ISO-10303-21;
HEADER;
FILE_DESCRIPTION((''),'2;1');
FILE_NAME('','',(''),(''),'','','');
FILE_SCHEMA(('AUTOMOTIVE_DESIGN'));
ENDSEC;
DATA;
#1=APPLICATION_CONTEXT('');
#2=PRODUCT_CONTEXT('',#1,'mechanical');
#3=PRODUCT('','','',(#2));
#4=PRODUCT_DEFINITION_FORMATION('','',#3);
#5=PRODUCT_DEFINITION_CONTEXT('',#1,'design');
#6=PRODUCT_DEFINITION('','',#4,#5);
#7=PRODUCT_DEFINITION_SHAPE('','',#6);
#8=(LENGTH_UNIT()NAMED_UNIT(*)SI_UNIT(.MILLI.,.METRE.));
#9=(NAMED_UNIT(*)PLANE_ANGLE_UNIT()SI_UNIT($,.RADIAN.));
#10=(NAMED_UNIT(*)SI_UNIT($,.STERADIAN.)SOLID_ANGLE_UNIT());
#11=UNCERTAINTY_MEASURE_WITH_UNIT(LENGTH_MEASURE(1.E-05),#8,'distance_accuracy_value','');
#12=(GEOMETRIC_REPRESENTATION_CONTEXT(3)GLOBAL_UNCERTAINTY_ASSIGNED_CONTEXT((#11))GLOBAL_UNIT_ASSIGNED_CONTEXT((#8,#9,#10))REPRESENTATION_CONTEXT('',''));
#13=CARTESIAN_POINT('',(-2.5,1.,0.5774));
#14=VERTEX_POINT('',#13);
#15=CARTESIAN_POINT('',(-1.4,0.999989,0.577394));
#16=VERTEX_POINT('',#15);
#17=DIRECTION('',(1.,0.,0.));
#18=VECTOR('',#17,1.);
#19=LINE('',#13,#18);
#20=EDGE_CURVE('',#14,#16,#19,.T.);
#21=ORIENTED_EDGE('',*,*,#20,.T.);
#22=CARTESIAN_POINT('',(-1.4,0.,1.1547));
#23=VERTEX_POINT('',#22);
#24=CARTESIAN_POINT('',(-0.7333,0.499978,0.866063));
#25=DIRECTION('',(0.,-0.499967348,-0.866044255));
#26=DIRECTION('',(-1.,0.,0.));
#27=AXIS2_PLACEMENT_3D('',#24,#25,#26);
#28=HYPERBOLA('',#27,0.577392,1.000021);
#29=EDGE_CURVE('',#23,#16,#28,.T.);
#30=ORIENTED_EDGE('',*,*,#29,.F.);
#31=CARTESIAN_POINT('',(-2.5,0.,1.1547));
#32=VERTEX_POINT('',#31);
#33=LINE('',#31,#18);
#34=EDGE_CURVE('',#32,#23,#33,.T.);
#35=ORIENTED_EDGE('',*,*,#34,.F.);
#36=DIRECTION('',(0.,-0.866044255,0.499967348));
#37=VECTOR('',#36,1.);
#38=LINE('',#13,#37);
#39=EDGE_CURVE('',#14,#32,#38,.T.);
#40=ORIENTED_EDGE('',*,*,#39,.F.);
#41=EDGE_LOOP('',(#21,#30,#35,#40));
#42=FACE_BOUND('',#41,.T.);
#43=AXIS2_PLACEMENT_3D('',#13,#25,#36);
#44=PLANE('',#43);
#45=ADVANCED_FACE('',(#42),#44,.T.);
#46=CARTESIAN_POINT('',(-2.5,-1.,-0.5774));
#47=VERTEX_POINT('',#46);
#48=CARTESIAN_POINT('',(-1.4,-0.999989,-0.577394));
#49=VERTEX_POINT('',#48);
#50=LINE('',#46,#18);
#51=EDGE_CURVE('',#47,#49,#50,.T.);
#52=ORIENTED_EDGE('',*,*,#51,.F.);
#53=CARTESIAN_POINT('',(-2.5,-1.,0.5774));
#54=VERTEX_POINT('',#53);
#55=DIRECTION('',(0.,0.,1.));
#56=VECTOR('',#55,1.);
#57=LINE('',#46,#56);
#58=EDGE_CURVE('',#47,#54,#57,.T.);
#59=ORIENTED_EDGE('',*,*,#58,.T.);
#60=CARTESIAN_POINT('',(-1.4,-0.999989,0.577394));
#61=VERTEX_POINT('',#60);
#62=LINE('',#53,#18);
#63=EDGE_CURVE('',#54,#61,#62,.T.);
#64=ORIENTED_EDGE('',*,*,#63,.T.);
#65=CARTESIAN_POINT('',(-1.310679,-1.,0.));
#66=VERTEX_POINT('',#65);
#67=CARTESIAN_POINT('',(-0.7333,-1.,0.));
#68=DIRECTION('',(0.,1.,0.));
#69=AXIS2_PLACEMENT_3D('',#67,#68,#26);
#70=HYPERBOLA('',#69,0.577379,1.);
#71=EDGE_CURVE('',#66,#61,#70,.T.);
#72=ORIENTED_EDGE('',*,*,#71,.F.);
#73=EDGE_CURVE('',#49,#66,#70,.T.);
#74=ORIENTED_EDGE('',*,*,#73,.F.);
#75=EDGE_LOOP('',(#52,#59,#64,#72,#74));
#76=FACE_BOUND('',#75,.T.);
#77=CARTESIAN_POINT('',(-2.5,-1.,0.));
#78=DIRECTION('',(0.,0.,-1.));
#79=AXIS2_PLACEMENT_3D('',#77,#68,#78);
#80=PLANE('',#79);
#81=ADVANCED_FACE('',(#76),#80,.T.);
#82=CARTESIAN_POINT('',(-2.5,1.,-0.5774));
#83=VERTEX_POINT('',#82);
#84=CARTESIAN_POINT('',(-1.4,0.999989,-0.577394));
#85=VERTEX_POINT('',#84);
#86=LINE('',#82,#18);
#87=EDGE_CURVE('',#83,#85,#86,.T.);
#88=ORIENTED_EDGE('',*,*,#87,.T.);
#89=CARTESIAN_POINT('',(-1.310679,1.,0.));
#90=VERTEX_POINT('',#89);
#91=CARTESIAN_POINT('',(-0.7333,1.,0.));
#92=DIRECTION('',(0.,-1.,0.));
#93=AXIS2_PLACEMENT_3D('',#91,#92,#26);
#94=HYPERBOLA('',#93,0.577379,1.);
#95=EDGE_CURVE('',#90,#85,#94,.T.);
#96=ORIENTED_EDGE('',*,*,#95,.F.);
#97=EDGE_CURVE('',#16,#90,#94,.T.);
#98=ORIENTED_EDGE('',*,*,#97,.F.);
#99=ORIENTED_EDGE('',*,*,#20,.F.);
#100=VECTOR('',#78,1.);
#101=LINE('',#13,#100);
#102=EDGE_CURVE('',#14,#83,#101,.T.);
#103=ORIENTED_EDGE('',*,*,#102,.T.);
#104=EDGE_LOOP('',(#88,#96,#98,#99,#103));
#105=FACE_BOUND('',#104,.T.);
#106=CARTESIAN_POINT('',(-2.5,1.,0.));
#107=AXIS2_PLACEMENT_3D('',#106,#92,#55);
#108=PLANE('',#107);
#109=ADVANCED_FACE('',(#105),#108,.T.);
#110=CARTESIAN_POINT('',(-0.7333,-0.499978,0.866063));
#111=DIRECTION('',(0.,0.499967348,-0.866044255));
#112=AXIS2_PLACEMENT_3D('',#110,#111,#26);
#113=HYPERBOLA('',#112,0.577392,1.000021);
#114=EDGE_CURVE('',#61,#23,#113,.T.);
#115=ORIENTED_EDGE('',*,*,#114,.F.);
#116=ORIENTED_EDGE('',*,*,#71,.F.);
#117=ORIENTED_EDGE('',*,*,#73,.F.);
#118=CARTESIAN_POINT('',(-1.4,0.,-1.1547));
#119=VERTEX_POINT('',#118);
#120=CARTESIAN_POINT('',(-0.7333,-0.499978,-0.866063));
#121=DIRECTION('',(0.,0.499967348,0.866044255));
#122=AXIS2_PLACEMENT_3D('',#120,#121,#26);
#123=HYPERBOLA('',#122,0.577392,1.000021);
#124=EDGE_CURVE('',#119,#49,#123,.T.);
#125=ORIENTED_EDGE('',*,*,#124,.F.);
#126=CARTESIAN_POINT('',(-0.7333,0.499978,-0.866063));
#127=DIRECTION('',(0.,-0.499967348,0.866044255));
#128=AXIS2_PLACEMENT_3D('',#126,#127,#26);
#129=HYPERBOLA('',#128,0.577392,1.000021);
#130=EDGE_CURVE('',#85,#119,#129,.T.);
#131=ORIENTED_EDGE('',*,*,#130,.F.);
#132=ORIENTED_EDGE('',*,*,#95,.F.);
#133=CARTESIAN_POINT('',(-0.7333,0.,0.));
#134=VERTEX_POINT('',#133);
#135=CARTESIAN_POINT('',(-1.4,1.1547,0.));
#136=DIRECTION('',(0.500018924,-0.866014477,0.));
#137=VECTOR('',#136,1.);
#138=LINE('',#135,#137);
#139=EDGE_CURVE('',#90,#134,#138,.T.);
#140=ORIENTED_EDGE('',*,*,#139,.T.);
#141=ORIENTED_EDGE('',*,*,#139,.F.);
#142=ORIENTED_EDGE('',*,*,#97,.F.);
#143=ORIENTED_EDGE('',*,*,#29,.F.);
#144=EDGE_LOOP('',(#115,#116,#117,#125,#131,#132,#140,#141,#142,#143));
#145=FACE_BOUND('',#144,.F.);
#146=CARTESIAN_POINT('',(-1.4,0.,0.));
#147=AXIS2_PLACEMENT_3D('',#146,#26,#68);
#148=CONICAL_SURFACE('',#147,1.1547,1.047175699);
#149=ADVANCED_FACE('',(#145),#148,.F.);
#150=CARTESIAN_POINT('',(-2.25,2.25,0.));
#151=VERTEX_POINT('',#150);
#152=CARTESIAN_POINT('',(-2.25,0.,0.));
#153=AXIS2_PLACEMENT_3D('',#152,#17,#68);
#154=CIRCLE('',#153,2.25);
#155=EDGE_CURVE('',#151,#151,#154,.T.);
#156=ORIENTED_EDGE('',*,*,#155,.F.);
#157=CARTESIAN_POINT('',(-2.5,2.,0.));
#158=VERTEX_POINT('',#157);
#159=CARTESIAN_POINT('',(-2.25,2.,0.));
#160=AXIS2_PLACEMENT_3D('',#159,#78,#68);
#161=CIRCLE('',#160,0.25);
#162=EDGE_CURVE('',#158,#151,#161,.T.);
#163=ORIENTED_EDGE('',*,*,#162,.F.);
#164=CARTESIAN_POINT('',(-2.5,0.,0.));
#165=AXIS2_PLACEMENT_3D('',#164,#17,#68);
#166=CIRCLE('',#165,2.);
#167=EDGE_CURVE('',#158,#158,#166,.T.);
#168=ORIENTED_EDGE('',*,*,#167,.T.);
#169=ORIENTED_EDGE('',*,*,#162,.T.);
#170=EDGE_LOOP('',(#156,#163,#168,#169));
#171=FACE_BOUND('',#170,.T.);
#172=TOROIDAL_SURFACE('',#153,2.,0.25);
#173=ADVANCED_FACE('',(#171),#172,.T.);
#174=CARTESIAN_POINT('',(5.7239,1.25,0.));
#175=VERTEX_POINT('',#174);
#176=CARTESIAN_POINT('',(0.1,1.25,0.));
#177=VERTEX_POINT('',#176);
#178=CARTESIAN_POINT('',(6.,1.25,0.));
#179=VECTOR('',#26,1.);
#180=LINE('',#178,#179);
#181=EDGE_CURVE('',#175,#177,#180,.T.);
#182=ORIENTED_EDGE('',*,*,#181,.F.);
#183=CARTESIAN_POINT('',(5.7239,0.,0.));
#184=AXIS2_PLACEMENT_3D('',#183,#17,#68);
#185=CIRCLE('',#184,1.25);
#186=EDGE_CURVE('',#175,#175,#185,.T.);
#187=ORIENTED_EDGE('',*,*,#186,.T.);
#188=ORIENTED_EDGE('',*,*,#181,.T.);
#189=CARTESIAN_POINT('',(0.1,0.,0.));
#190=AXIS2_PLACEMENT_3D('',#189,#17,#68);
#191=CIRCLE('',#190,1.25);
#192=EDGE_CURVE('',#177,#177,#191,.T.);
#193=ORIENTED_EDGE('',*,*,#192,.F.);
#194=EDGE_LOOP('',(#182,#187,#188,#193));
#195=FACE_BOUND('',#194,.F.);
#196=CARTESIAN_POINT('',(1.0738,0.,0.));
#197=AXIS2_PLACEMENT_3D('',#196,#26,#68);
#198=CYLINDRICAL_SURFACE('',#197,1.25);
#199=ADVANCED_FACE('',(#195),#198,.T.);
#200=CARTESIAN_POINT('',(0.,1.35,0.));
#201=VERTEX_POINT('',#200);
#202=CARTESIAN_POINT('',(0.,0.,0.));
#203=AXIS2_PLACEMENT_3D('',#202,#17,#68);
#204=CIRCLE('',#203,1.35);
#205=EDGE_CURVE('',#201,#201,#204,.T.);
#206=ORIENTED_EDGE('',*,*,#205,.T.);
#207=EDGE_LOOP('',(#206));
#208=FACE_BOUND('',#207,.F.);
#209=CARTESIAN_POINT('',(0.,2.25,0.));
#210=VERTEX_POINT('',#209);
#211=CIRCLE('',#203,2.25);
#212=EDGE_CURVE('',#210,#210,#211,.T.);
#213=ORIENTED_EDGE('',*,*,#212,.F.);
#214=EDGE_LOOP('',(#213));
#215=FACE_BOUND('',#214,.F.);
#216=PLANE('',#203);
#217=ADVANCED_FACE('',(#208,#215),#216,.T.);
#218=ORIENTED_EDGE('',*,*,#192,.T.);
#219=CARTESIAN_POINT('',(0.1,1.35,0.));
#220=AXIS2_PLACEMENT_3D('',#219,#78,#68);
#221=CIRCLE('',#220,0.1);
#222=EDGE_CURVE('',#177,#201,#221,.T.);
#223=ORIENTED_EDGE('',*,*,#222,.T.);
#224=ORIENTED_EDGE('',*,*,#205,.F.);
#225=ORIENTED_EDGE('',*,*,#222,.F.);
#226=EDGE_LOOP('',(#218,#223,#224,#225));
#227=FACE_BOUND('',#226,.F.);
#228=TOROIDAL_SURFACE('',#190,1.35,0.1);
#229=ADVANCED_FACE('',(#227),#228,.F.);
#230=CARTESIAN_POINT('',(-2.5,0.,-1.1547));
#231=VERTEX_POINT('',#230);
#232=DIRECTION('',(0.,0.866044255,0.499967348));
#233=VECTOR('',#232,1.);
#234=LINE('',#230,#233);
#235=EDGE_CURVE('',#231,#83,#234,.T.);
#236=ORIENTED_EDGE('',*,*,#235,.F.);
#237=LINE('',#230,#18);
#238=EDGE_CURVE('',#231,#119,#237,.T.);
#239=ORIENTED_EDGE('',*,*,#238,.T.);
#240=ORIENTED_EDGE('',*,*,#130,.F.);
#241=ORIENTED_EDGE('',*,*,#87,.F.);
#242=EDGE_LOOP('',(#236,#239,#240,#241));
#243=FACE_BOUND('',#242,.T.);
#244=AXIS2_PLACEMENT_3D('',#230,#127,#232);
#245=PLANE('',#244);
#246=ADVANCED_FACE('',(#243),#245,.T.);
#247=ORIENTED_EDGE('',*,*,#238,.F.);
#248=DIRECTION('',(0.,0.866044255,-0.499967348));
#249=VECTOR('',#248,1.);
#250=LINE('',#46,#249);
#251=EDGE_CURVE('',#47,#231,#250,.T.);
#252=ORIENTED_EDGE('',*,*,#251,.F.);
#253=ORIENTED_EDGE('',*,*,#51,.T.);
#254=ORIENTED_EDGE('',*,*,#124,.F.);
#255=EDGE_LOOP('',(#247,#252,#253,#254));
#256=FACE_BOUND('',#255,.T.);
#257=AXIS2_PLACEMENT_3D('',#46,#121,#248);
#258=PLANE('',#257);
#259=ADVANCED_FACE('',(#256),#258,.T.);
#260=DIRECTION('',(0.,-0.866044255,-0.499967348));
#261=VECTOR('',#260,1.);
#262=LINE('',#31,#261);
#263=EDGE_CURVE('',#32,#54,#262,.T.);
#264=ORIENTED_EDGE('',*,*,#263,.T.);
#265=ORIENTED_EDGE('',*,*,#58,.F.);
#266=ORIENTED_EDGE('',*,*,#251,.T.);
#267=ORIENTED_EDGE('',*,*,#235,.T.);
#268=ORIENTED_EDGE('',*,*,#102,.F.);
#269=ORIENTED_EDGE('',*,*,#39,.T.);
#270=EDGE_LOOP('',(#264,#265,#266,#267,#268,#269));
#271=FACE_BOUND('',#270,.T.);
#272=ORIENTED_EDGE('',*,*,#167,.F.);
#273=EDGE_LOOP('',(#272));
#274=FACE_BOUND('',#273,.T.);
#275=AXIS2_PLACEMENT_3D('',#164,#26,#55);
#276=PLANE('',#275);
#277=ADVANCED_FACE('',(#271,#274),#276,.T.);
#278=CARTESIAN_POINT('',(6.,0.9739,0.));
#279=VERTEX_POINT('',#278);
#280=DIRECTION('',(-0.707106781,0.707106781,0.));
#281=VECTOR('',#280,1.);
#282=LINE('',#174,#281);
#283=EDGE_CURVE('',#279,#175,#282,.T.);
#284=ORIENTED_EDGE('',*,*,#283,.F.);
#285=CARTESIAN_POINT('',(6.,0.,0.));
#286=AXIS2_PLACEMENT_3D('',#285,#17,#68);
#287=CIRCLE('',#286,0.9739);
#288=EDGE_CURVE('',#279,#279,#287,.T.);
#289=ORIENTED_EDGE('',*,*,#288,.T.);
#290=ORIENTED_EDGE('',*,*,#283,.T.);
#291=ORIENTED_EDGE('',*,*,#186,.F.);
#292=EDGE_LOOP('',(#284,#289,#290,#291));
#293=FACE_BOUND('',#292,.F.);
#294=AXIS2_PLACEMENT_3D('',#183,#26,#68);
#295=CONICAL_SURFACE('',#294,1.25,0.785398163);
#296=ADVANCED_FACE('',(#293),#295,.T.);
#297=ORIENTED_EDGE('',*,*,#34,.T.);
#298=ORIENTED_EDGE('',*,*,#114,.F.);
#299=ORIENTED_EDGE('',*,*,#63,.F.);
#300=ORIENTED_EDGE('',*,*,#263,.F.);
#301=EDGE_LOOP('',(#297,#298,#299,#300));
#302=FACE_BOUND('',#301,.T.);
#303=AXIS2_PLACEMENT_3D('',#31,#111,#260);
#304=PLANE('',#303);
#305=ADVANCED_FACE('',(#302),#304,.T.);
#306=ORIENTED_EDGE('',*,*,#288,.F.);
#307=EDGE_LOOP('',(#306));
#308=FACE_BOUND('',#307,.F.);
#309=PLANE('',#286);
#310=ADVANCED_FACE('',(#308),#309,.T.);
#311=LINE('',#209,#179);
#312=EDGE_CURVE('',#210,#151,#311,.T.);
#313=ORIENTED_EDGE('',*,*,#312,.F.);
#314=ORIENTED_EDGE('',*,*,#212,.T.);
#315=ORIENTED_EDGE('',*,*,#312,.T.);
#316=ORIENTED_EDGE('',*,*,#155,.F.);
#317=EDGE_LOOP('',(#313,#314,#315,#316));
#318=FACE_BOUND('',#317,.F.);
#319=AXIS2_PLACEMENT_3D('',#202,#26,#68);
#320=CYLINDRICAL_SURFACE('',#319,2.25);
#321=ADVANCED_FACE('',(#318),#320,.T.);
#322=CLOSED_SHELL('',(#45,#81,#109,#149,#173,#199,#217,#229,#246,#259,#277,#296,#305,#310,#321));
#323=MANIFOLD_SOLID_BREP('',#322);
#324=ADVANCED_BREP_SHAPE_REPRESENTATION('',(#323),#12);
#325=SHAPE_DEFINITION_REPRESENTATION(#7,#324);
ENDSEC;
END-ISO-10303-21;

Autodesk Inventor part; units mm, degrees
ref_plane "YZ Plane" through (0, 0, 0) normal (1, 0, 0) x (0, 1, 0)
ref_plane "XZ Plane" through (0, 0, 0) normal (0, 1, 0) x (-1, 0, 0)
sketch "Esquisse1" plane through (0, 0, 0) normal (0, 0, 1) x (1, 0, 0)
  line L0 (-0.7333, 0) -> (6, 0)
  line L1 (6, 0) -> (6, 1.25)
  line L2 (6, 1.25) -> (1.35, 1.25)
  line L3 (1.35, 1.25) -> (1.0738, 1.25)
  line L4 (1.0738, 1.25) -> (0, 1.25)
  line L5 (0, 1.25) -> (0, 2.25)
  line L6 (0, 2.25) -> (-2.5, 2.25)
  line L7 (-2.5, 2.25) -> (-2.5, 1.1547)
  line L8 (-2.5, 1.1547) -> (-1.4, 1.1547)
  line L9 (-1.4, 1.1547) -> (-0.7333, 0)
  line L10 (-4.2, 0) -> (7.7, 0) projected
  line L11 (0, -0.45) -> (0, 2.7) projected
  line L12 (1.35, 1.25) -> (0, 1.25) construction
  dimension "d1" = 4.65
  dimension "d2" = 0.2762
  dimension "d3" = 2.5
  dimension "d4" = 1.1
  dimension "d5" = 60
  dimension "d6" = 2.5
  dimension "d7" = 2.5
  dimension "d8" = 2.3094
  dimension "d9" = 4.5
  dimension "d26" = 6
revolve "Corps" add sketch "Esquisse1" angle 360 about axis through (-0.7333, 0, 0) along (1, 0, 0)
sketch "Esquisse2" plane through (-2.5, 0, 0) normal (-1, 0, 0) x (0, 0, 1)
  circle A0 centre (0, 0) radius 1.1547 projected
  line L0 (0, -3.15) -> (0, 3.15) projected
  line L1 (-3.15, 0) -> (3.15, 0) projected
  line L2 (1.1547, 0) -> (0.5774, -1)
  line L3 (0.5774, -1) -> (-0.5774, -1)
  line L4 (-0.5774, -1) -> (-1.1547, 0)
  line L5 (-1.1547, 0) -> (-0.5774, 1)
  line L6 (-0.5774, 1) -> (0.5774, 1)
  line L7 (0.5774, 1) -> (1.1547, 0)
extrude "Rainure" add sketch "Esquisse2" against normal up to next contours L7 A0 | A0 L2 | L6 L0 A0 | A0 L0 L3 | L0 L6 A0 | A0 L3 L0 | L4 A0 | A0 L5
fillet "Congé1" radius 0.25 1 edges at (-2.5, -2.25, 0)
thread "Filetage" size "M2.5x0.45" class "6g" standard "ISO Metric profile" length 4.65
chamfer "Chanfrein1" distance 0.2761 distance2 0.2761 1 edges at (6, -1.25, 0) measured on face at (6, -0.1825, -0.5629)
ref_plane "Work Plane1" through (29, 0, 0) normal (0, -1, 0) x (1, 0, 0)
fillet "Fillet2" radius 0.1 1 edges at (0, -1.25, 0)
equation "\"d1\" = GEL"
equation "\"d3\" = KOH"
equation "\"d4\" = INTI"
equation "\"d6\" = GD"
equation "\"d7\" = BDM"
equation "\"d8\" = 1.1547 * SW"
equation "\"d9\" = KOD"
equation "\"d26\" = NLG"
equation "\"d30\" = R"
equation "\"d17\" = RR"
equation "\"d13\" = GEL"
equation "\"d15\" = -0.5 * SPD + 0.5 * GD"
equation "\"d16\" = GUL"
equation "\"GD\" = 2.5"
equation "\"NLG\" = 6"
equation "\"GEL\" = 4.65"
equation "\"KOD\" = 4.5"
equation "\"KOH\" = 2.5"
equation "\"INTI\" = 1.1"
equation "\"GAL\" = 0.61345 * PTC"
equation "\"GUL\" = 0.61345 * PTC"
equation "\"BDM\" = NND"
equation "\"SW\" = 2"
equation "\"RR\" = 0.25"
equation "\"SPD\" = NND - 1.2269 * PTC"
equation "\"R\" = 0.1"
equation "\"TOA\" = 30deg"
equation "\"GD1\" = THREADDIA - 1.2269 * PTC"
equation "\"THREADDIA\" = 2.5"
equation "\"FAWI\" = 45deg"
equation "\"PTC\" = 0.45"
equation "\"NND\" = 2.5"
equation "\"E0\" = 1.155 * SW"
properties part number "ISO 4762  - M2,5 x 6" material "Acier inoxydable 440C"
